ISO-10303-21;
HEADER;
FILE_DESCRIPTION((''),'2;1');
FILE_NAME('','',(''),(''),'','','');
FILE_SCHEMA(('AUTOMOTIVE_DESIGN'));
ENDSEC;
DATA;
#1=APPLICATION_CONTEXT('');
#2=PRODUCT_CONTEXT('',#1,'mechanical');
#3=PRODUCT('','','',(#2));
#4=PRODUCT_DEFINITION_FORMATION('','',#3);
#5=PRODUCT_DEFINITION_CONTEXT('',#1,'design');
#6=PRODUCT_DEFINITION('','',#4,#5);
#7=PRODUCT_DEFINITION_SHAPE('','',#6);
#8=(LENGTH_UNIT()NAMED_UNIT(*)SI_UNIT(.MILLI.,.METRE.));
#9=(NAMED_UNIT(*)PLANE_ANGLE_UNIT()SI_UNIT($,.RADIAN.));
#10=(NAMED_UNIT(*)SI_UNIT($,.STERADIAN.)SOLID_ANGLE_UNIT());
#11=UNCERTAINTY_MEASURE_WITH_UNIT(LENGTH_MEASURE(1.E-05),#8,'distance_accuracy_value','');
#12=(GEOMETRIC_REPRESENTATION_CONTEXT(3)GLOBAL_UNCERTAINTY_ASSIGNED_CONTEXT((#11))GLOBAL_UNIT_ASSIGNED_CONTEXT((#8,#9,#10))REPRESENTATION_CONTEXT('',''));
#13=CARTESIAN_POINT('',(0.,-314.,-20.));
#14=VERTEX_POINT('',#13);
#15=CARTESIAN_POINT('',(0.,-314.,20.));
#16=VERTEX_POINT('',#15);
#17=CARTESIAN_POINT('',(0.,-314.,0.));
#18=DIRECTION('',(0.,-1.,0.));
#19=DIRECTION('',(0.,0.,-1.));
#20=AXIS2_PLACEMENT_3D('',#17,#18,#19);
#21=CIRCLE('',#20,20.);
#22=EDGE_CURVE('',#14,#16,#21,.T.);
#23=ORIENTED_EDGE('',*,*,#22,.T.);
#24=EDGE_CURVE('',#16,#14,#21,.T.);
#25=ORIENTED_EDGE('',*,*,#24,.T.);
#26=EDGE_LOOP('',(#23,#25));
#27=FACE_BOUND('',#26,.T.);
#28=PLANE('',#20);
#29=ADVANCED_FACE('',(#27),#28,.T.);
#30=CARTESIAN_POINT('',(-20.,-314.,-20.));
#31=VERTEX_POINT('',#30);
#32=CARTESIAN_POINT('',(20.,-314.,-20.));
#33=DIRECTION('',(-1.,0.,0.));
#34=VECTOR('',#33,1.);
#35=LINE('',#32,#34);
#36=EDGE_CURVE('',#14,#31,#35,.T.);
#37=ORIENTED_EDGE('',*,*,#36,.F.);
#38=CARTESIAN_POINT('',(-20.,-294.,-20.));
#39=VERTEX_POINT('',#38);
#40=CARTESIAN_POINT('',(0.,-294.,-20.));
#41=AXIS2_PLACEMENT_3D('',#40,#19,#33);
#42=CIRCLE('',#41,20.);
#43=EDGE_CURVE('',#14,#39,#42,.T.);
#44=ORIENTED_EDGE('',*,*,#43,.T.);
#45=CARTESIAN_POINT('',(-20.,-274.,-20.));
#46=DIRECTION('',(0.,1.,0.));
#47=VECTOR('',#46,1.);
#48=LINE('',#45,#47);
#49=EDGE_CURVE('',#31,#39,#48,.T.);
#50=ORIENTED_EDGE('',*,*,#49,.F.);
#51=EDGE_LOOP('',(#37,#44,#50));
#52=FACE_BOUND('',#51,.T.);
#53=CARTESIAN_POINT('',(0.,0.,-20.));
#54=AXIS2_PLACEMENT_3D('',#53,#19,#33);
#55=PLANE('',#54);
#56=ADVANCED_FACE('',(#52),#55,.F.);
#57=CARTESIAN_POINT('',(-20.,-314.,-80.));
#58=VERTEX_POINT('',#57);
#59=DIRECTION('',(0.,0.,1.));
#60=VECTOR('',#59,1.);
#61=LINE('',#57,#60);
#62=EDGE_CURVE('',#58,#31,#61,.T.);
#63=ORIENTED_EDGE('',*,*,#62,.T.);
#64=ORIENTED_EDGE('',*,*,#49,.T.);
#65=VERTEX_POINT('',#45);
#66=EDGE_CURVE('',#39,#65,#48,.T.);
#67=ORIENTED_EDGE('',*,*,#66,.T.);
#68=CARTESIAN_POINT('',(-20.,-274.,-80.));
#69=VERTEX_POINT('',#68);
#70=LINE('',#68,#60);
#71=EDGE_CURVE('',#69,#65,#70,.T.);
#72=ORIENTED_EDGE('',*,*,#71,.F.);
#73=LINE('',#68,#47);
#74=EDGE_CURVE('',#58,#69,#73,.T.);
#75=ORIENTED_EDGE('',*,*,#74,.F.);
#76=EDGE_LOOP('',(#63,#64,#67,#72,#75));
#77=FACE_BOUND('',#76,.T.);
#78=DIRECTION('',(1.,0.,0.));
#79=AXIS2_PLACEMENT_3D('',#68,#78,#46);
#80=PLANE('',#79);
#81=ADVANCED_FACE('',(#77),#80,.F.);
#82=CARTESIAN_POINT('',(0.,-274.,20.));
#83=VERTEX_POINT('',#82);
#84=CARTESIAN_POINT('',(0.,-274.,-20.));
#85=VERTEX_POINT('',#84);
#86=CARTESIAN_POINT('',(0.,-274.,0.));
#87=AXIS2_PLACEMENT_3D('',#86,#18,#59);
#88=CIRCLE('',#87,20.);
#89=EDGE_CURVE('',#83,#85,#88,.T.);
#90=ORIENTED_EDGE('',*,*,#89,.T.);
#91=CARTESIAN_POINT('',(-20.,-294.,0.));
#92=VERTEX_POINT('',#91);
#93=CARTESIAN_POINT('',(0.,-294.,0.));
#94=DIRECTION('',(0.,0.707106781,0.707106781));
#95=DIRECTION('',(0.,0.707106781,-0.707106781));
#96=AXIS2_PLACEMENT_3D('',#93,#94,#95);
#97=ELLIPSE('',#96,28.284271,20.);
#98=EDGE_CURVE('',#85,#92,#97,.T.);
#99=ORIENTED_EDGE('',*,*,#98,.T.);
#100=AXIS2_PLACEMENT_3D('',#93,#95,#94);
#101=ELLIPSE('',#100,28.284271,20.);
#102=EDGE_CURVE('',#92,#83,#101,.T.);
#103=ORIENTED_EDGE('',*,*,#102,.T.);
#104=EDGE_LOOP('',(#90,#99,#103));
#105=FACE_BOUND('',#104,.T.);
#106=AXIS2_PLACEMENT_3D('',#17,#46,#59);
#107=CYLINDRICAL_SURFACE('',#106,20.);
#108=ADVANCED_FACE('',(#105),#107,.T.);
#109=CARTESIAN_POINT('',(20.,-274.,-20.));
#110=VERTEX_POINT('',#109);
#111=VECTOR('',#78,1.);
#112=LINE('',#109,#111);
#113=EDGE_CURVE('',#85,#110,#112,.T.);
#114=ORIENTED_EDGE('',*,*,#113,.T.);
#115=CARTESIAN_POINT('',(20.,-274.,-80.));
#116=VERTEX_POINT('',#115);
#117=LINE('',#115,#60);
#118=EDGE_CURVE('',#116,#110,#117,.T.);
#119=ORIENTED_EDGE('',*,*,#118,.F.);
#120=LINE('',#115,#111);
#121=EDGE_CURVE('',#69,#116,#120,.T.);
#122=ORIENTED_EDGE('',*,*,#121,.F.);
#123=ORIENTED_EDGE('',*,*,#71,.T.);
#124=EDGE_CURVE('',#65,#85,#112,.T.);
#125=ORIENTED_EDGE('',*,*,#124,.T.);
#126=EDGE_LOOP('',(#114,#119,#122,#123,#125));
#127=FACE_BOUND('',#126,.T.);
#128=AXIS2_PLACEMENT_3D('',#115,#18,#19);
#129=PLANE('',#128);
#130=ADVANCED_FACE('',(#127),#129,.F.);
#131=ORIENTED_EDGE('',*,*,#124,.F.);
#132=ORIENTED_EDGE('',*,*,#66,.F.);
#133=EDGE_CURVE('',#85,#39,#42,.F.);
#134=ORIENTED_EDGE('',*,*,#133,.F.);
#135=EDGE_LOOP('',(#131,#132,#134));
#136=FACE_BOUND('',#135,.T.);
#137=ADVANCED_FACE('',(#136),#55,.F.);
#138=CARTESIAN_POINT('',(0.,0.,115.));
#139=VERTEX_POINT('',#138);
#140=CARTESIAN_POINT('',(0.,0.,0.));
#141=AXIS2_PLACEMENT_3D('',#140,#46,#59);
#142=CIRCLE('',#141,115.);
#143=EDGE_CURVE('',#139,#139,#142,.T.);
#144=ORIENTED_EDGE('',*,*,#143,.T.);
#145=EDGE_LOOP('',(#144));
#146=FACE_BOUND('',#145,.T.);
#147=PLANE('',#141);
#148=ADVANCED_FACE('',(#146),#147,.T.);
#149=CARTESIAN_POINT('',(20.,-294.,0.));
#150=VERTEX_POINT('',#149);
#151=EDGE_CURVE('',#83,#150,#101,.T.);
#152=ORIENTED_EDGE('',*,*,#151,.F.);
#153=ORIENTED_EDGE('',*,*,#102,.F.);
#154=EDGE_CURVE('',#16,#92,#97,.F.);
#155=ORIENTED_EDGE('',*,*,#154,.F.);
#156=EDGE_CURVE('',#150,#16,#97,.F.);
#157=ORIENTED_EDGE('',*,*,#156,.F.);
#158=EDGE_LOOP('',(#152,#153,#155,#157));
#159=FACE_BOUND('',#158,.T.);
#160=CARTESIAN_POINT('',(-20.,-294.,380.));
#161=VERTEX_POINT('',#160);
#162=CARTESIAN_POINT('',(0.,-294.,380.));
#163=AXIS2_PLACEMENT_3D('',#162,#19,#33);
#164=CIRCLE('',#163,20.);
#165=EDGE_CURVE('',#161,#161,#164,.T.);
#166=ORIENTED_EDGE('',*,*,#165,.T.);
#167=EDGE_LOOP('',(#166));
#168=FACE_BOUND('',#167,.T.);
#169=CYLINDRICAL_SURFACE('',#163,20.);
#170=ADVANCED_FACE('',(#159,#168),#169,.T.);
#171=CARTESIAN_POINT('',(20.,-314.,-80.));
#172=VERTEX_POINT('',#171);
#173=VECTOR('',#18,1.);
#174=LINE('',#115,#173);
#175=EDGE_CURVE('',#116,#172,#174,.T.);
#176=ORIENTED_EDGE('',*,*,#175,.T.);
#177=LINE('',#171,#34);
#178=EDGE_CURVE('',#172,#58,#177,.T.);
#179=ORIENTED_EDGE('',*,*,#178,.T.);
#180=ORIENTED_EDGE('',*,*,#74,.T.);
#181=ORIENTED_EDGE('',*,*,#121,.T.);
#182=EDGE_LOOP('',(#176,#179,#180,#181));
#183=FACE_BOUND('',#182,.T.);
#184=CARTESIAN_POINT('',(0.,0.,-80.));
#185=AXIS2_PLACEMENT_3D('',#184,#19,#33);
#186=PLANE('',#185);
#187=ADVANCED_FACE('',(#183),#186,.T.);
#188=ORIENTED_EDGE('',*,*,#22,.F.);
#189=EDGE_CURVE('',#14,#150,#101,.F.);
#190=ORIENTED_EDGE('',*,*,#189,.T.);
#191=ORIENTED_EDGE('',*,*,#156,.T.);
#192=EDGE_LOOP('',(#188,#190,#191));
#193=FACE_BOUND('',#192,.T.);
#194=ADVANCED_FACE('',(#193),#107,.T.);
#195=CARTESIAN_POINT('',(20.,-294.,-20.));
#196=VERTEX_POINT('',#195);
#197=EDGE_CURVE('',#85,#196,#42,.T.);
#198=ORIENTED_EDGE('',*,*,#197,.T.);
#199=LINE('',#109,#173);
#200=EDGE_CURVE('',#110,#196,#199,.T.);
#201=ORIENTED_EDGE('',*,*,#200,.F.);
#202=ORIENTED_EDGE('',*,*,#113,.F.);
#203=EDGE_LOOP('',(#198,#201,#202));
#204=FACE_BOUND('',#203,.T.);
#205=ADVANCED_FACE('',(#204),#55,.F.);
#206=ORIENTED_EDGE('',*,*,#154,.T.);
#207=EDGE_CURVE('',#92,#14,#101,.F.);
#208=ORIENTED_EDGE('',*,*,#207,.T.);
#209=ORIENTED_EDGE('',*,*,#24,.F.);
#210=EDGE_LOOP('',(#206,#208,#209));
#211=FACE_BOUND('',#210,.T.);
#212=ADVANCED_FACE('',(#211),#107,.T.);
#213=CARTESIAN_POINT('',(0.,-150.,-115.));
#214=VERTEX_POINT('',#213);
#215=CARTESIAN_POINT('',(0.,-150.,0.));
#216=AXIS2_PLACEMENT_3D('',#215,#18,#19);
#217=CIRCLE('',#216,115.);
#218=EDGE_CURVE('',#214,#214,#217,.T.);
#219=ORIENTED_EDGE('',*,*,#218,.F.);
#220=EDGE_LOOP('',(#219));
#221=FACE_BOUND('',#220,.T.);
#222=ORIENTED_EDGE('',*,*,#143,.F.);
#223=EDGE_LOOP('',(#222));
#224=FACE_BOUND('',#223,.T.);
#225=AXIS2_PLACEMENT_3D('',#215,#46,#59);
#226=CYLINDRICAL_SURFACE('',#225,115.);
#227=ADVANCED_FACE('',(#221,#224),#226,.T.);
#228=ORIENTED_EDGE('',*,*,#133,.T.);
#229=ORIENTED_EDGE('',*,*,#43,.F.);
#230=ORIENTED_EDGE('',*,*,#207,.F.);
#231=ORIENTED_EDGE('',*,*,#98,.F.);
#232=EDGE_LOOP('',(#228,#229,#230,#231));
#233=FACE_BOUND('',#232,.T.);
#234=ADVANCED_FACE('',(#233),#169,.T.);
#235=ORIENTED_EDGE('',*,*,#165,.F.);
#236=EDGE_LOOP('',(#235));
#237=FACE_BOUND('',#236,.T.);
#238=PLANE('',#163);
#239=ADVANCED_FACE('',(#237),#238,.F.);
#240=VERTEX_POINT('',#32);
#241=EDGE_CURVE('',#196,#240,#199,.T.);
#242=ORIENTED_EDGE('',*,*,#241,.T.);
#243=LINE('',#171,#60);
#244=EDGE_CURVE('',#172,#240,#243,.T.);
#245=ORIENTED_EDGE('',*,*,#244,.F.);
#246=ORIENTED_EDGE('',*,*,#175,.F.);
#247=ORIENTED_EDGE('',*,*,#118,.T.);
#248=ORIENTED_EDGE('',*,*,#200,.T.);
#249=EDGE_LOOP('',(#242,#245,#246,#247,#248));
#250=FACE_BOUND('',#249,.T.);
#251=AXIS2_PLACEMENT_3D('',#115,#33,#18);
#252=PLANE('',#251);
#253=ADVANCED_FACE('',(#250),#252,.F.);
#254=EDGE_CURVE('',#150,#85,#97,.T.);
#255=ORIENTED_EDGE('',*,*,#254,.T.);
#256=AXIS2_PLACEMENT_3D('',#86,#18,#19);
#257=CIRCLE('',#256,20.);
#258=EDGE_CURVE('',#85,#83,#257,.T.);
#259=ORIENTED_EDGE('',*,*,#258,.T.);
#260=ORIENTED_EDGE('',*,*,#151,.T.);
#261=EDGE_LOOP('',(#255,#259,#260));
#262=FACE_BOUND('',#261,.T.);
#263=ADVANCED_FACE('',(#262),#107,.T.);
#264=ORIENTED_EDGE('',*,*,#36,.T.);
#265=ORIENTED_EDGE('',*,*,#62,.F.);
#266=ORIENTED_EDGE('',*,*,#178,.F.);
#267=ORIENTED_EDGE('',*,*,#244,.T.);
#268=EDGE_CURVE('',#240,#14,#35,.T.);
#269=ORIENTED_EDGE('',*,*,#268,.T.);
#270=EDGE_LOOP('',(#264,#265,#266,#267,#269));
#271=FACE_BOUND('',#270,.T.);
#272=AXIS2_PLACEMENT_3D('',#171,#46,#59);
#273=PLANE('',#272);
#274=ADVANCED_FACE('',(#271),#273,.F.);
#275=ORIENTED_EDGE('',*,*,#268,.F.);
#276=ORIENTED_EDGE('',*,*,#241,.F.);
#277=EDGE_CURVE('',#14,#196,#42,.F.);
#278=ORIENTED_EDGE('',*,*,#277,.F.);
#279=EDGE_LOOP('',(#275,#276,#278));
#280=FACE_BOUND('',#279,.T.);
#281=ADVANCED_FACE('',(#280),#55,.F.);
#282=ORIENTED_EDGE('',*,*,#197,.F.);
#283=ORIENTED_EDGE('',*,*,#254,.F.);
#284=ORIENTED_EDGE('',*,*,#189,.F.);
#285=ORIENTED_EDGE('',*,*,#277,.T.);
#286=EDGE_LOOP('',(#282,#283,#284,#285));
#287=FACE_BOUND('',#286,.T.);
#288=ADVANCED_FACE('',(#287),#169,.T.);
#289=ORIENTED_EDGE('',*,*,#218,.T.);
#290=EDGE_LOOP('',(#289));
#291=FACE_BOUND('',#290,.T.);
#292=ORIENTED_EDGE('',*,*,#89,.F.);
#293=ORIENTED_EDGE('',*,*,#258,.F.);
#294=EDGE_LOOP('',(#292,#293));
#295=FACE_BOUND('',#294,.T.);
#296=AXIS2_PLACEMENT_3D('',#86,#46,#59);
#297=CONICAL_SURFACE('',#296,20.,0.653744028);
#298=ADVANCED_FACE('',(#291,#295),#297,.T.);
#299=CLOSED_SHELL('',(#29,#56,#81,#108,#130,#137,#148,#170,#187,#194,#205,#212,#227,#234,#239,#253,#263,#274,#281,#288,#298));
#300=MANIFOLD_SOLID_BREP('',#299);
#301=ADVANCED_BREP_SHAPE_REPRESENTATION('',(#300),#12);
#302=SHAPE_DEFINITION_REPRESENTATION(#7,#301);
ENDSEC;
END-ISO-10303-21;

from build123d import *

# Parameters (mm, degrees)
CROQUIS1_R              = 115
SALIENTE_EXTRUIR1_DEPTH = 150
CROQUIS3_R              = 20
CROQUIS2_R              = 115
CROQUIS4_R              = 20
SALIENTE_EXTRUIR2_DEPTH = 40
CROQUIS5_R              = 20
SALIENTE_EXTRUIR3_DEPTH = 400
CROQUIS6_W              = 40
CROQUIS6_H              = 40
SALIENTE_EXTRUIR4_DEPTH = 60


with BuildPart() as part:
    # Croquis1 → Saliente-Extruir1 (new body)
    with BuildSketch(Plane(origin=(0, 0, 0), x_dir=(1, 0, 0), z_dir=(0, 1, 0))):
        with Locations(Location((0, 0, 0), (0, 0, 270))):
            Circle(CROQUIS1_R)
    extrude(amount=-SALIENTE_EXTRUIR1_DEPTH)

    # Croquis3 → Recubrir1 section 0
    with BuildSketch(Plane(origin=(0, -274, 0), x_dir=(1, 0, 0), z_dir=(0, 1, 0))):
        Circle(CROQUIS3_R)
    # Croquis2 → Recubrir1 section 1
    with BuildSketch(Plane.XZ.offset(150)):
        Circle(CROQUIS2_R)
    loft()

    # Croquis4 → Saliente-Extruir2 (add)
    with BuildSketch(Plane.XZ.offset(274)):
        with Locations(Location((0, 0, 0), (0, 0, 270))):
            Circle(CROQUIS4_R)
    extrude(amount=SALIENTE_EXTRUIR2_DEPTH)

    # Croquis5 → Saliente-Extruir3 (add)
    with BuildSketch(Plane(origin=(0, 0, -20), x_dir=(-1, 0, 0), z_dir=(0, 0, -1))):
        with Locations((0, -294)):
            Circle(CROQUIS5_R)
    extrude(amount=-SALIENTE_EXTRUIR3_DEPTH)

    # Croquis6 → Saliente-Extruir4 (add)
    with BuildSketch(Plane(origin=(0, 0, -20), x_dir=(-1, 0, 0), z_dir=(0, 0, -1))):
        with Locations((0, -294)):
            Rectangle(CROQUIS6_W, CROQUIS6_H)
    extrude(amount=SALIENTE_EXTRUIR4_DEPTH)


solid = part.part
